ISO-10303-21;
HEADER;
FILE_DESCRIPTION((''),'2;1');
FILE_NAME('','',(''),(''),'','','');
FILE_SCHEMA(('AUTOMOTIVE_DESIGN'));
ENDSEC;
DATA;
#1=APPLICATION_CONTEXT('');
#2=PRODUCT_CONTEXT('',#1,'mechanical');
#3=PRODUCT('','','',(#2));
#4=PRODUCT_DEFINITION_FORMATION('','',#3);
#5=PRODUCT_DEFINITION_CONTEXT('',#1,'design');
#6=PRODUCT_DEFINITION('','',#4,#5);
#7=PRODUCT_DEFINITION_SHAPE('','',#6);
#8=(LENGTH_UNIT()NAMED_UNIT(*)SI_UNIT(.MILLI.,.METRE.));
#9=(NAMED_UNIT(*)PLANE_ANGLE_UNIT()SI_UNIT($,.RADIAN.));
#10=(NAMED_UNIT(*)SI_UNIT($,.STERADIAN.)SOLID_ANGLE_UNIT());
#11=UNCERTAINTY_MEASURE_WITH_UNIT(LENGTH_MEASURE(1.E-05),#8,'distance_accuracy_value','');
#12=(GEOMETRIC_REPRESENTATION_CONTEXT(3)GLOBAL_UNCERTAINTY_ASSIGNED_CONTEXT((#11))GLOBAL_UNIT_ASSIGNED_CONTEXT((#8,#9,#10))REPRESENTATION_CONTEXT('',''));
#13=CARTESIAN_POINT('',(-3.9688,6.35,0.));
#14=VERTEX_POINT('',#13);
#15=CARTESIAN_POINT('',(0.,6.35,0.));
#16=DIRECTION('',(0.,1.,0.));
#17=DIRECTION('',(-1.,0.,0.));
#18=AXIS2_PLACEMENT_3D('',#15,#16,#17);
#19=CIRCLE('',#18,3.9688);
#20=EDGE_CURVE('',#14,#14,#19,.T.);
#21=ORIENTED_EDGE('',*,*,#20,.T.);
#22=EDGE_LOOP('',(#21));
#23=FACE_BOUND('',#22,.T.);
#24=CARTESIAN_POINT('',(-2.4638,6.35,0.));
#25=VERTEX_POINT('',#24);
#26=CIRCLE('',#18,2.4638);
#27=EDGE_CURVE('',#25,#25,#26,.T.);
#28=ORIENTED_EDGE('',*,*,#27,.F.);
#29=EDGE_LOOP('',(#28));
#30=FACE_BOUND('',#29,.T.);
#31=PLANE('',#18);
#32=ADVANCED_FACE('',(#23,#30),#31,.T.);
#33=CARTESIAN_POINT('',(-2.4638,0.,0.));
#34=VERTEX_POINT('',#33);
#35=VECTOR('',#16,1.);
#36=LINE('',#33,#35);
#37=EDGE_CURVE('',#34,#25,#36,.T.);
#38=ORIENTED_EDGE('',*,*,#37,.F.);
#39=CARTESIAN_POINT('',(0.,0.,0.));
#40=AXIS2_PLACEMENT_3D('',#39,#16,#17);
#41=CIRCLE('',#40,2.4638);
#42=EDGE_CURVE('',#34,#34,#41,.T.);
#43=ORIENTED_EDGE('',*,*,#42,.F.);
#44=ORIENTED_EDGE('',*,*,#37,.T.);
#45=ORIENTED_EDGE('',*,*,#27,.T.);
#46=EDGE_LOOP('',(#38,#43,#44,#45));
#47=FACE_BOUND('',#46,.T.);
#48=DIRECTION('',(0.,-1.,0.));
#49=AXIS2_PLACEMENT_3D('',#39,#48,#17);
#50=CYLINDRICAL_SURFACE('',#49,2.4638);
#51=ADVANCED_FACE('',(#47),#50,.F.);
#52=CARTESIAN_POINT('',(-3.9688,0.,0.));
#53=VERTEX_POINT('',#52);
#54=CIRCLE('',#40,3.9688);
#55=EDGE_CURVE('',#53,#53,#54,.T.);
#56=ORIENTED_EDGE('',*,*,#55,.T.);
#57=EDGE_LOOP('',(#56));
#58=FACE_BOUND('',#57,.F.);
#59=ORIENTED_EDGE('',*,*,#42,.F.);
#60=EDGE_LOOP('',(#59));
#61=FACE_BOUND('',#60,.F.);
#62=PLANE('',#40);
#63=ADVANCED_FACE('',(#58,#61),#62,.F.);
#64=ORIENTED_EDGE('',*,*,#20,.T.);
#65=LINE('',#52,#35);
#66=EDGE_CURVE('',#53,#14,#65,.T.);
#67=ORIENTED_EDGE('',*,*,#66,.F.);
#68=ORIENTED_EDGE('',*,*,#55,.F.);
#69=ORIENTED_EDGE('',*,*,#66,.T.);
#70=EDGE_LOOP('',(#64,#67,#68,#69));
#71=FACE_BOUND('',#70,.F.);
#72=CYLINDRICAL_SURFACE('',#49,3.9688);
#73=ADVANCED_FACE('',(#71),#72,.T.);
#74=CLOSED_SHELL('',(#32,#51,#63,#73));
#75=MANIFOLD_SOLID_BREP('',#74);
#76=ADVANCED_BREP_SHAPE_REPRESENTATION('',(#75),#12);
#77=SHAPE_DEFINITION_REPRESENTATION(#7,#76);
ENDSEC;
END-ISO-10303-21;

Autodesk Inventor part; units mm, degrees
ref_plane "YZ Plane" through (0, 0, 0) normal (1, 0, 0) x (0, 1, 0)
ref_plane "XZ Plane" through (0, 0, 0) normal (0, 1, 0) x (-1, 0, 0)
ref_plane "XY Plane" through (0, 0, 0) normal (0, 0, 1) x (1, 0, 0)
sketch "Sketch1" plane through (0, 0, 0) normal (0, 1, 0) x (-1, 0, 0)
  circle A0 centre (0, 0) radius 2.4638
  circle A1 centre (0, 0) radius 3.9688
  dimension "d0" = 4.9276
  dimension "d1" = 7.9375
extrude "Extrusion2" add sketch "Sketch1" along normal blind 6.35
properties part number "Spacer (Nylon), .313''OD, 0.25''" material "ABS Plastic"
